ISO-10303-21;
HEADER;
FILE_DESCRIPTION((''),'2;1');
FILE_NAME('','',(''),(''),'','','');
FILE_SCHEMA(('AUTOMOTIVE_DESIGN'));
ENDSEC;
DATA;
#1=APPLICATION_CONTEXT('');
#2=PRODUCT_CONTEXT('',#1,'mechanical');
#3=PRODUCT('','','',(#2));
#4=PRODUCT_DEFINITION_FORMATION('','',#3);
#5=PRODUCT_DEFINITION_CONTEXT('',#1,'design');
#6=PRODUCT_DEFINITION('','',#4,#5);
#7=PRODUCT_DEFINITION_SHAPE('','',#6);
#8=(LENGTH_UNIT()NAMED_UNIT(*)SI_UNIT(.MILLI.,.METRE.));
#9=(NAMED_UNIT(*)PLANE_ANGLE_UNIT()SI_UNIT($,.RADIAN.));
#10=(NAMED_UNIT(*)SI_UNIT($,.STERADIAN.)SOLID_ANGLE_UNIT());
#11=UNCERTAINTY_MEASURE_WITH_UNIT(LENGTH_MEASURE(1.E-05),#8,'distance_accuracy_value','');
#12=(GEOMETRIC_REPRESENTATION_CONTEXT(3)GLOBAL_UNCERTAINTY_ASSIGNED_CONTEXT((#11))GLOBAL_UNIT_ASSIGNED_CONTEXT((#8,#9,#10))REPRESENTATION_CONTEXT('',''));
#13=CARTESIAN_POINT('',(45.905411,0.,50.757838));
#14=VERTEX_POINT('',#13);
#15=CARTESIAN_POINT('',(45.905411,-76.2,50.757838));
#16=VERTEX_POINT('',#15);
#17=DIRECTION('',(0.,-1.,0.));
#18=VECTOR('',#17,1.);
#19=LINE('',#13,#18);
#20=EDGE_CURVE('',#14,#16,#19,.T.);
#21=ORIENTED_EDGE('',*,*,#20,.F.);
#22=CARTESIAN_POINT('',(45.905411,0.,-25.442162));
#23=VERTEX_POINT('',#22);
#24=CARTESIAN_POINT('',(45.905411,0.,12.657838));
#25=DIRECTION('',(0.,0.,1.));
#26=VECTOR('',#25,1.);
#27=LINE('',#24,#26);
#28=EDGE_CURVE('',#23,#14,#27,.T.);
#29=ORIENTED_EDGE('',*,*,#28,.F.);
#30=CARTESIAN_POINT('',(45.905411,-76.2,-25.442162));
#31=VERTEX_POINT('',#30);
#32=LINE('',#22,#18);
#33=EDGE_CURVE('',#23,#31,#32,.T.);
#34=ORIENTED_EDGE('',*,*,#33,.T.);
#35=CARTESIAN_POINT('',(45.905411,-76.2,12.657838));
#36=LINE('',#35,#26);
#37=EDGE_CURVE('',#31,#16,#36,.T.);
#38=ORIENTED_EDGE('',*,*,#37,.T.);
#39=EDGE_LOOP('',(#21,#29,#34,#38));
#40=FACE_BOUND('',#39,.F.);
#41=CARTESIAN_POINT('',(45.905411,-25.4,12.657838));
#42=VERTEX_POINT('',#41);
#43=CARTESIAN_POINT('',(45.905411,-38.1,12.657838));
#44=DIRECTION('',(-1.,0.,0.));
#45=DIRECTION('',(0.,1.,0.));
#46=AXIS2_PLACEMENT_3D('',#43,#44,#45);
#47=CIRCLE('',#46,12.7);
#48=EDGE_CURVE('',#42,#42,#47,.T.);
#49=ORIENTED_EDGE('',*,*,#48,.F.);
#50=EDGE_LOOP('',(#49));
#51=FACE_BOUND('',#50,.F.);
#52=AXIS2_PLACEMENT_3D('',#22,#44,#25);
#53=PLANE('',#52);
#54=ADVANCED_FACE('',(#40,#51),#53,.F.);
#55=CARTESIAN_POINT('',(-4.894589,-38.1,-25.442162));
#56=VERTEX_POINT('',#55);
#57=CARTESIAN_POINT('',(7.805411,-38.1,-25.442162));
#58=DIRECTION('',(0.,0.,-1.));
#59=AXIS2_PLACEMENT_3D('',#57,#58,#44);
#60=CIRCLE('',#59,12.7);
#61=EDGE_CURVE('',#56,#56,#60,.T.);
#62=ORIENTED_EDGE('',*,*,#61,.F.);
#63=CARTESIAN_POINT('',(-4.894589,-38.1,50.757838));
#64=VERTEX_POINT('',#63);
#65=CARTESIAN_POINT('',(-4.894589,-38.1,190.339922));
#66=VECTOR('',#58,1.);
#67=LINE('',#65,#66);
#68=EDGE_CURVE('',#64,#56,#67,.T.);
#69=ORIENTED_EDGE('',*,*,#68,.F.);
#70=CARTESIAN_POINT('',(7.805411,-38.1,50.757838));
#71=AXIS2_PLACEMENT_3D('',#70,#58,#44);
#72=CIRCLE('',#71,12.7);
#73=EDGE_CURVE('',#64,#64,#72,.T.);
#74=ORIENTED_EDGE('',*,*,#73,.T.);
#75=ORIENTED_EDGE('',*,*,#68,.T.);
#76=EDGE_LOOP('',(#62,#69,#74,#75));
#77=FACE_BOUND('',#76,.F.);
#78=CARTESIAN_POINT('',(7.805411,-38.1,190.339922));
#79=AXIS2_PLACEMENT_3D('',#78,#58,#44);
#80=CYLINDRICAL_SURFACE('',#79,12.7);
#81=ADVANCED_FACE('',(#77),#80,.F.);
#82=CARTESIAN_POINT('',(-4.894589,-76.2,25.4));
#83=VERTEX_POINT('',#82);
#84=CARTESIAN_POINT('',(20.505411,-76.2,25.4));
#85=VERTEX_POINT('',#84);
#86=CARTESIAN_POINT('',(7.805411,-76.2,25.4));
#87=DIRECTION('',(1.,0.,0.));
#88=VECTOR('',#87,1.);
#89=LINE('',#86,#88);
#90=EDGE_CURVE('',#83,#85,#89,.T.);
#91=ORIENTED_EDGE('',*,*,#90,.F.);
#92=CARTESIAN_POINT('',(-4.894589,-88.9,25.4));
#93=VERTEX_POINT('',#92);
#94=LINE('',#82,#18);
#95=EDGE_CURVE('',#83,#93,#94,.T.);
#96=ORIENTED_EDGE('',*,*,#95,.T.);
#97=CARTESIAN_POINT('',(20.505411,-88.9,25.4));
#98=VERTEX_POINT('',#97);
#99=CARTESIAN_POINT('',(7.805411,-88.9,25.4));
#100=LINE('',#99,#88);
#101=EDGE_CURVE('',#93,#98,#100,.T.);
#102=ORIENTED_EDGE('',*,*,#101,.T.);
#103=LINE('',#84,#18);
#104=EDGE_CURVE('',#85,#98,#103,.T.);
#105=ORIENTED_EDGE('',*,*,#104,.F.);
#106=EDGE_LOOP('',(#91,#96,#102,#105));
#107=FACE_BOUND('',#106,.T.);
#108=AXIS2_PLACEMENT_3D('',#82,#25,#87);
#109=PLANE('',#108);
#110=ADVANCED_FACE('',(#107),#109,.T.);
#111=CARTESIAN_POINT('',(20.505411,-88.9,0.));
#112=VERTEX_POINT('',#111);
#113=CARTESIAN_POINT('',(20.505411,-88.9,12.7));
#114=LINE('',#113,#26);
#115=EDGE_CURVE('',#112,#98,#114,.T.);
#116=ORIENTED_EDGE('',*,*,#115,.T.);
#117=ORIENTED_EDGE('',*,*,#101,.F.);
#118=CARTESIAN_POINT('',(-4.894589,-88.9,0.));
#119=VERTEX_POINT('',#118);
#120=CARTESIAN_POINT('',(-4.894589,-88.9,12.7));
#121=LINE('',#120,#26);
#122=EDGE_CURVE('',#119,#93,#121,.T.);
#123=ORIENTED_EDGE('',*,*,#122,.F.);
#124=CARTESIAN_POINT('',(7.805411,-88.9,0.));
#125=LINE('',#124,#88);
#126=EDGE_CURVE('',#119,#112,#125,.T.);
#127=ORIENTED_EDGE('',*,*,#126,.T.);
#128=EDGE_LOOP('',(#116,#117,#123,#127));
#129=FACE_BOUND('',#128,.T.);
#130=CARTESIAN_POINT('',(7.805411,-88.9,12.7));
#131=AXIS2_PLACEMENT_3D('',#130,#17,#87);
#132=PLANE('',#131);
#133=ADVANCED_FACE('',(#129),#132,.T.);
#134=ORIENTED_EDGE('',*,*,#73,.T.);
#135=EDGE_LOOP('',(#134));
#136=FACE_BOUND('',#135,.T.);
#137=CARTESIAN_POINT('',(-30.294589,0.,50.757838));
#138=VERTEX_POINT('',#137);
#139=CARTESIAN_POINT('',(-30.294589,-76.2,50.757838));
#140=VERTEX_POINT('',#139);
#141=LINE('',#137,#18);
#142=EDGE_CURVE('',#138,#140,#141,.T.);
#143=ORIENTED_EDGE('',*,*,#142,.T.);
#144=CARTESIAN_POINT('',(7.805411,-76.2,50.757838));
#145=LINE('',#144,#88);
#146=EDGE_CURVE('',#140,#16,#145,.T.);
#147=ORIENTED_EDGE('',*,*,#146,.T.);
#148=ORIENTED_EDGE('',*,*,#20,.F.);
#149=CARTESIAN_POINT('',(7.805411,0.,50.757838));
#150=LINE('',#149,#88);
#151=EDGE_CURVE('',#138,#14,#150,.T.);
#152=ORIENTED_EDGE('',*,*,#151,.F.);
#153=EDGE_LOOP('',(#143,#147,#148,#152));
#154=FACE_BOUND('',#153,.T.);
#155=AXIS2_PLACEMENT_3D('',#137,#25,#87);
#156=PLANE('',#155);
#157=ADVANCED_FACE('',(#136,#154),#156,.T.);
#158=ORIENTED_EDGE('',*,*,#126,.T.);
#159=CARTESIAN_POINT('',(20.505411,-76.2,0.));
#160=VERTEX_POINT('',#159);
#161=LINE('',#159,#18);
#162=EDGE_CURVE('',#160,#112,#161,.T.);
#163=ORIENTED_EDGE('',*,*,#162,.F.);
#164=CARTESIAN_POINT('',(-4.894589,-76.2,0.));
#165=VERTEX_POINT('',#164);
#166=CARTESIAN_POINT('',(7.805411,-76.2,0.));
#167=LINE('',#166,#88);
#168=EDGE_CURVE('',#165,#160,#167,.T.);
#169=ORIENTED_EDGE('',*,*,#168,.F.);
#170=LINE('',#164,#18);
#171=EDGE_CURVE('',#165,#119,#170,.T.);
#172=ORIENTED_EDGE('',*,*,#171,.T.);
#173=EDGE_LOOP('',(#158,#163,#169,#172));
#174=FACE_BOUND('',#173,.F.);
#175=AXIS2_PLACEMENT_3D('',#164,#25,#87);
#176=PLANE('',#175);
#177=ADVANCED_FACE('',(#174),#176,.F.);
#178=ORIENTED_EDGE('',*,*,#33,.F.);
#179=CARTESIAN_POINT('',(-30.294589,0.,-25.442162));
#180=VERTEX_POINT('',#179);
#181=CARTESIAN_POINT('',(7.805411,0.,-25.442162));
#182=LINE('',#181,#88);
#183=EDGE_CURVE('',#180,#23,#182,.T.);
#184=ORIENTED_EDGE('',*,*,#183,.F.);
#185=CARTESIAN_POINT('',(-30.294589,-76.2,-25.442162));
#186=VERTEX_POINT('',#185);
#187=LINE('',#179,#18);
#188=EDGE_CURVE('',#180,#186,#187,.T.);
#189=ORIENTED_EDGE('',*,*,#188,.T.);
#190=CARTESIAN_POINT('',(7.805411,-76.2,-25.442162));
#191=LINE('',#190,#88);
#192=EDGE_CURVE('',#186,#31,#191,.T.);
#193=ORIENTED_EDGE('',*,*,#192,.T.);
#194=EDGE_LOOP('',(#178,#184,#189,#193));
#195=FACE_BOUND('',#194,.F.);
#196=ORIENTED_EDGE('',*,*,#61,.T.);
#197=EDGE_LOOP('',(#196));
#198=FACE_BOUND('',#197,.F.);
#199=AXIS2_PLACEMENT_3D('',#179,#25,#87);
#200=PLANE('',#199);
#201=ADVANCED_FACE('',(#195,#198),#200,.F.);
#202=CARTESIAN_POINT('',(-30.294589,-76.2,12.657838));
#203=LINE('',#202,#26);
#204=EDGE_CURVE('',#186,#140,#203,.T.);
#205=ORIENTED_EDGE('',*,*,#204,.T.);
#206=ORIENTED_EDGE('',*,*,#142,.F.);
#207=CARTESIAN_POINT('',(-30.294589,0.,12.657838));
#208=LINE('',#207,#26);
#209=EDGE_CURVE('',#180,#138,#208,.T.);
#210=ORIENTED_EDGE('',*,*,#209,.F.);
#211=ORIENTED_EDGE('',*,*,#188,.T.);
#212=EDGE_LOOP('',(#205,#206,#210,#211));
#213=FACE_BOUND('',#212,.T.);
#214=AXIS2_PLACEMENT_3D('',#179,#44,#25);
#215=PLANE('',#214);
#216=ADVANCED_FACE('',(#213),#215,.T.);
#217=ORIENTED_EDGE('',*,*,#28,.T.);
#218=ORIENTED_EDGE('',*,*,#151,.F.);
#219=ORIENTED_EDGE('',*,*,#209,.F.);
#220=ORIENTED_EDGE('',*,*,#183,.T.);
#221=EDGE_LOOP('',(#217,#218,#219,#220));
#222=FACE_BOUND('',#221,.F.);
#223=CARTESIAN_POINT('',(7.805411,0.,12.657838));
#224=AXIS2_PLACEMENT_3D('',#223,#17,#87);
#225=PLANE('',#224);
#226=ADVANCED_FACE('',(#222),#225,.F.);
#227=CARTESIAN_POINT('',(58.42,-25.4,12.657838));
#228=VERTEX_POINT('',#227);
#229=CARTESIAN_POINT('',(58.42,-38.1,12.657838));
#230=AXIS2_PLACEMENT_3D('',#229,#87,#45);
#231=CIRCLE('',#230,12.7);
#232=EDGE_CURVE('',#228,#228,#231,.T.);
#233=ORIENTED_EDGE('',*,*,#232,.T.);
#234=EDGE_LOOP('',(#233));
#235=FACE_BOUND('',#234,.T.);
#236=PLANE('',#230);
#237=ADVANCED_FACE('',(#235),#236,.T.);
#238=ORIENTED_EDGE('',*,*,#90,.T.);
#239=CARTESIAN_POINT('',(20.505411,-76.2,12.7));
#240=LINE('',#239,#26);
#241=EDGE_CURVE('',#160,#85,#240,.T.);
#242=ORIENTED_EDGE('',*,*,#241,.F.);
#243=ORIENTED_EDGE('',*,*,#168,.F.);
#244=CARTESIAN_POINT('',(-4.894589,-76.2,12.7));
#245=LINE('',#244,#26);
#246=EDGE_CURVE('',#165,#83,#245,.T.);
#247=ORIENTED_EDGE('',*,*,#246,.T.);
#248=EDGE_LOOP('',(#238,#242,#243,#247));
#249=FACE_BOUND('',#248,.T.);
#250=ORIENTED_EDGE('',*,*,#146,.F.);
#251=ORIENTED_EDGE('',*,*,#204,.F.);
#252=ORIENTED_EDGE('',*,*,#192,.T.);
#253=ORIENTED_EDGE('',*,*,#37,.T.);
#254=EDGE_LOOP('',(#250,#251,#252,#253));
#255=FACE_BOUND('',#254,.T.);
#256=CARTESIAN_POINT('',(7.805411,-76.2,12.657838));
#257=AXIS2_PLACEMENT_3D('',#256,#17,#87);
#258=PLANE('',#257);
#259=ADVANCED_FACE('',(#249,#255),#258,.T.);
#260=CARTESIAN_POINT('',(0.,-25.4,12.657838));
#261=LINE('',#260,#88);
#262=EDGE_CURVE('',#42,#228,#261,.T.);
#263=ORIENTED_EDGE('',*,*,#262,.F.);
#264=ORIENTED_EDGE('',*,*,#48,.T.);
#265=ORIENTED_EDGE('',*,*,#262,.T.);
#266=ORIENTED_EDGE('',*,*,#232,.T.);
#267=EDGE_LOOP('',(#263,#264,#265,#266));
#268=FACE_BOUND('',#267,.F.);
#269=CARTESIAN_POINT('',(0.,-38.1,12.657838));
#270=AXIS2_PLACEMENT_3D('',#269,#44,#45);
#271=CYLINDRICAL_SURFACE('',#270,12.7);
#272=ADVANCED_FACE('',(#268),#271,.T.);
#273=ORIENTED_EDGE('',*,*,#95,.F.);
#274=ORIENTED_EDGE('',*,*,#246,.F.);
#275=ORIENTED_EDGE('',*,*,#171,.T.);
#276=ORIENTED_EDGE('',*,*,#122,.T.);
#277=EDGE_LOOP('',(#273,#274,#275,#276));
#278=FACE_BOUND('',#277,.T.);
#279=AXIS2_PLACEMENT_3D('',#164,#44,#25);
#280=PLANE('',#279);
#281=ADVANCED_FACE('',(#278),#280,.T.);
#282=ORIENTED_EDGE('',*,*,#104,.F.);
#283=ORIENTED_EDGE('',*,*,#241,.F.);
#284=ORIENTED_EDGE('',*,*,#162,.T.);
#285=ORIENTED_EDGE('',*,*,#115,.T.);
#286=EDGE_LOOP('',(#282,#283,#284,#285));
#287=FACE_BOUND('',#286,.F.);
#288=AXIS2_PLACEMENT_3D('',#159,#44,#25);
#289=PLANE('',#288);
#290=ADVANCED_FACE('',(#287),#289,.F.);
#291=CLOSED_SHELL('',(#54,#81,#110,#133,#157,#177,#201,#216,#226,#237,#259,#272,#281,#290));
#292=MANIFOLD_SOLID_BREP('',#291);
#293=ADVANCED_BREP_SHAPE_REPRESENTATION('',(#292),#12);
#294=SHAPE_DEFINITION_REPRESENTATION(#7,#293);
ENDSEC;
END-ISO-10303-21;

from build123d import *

# Parameters (mm, degrees)
F0_W     = 76.2
F0_H     = 76.2
F1_DEPTH = 76.2
F2_R     = 12.7
F3_DEPTH = 58.42
F5_D     = 25.4
F6_W     = 25.4
F6_H     = 25.4
F7_DEPTH = 12.7


with BuildPart() as f1:
    # F0 (on Front) → F1 (new body)
    with BuildSketch(Plane.XZ):
        with Locations((7.805411, 12.657838)):
            Rectangle(F0_W, F0_H)
    extrude(amount=F1_DEPTH)

    # F2 (on Right) → F3 (join)
    with BuildSketch(Plane.YZ):
        with Locations((-38.1, 12.657838)):
            Circle(F2_R)
    extrude(amount=F3_DEPTH)

    # F5 (through all)
    with Locations(Plane.XY.offset(50.757838)):
        with Locations((7.805411, -38.1)):
            Hole(F5_D / 2)

    # F6 (on face) → F7 (join)
    with BuildSketch(Plane.XZ.offset(76.2)):
        with Locations((7.805411, 12.7)):
            Rectangle(F6_W, F6_H)
    extrude(amount=F7_DEPTH)


solid = f1.part
